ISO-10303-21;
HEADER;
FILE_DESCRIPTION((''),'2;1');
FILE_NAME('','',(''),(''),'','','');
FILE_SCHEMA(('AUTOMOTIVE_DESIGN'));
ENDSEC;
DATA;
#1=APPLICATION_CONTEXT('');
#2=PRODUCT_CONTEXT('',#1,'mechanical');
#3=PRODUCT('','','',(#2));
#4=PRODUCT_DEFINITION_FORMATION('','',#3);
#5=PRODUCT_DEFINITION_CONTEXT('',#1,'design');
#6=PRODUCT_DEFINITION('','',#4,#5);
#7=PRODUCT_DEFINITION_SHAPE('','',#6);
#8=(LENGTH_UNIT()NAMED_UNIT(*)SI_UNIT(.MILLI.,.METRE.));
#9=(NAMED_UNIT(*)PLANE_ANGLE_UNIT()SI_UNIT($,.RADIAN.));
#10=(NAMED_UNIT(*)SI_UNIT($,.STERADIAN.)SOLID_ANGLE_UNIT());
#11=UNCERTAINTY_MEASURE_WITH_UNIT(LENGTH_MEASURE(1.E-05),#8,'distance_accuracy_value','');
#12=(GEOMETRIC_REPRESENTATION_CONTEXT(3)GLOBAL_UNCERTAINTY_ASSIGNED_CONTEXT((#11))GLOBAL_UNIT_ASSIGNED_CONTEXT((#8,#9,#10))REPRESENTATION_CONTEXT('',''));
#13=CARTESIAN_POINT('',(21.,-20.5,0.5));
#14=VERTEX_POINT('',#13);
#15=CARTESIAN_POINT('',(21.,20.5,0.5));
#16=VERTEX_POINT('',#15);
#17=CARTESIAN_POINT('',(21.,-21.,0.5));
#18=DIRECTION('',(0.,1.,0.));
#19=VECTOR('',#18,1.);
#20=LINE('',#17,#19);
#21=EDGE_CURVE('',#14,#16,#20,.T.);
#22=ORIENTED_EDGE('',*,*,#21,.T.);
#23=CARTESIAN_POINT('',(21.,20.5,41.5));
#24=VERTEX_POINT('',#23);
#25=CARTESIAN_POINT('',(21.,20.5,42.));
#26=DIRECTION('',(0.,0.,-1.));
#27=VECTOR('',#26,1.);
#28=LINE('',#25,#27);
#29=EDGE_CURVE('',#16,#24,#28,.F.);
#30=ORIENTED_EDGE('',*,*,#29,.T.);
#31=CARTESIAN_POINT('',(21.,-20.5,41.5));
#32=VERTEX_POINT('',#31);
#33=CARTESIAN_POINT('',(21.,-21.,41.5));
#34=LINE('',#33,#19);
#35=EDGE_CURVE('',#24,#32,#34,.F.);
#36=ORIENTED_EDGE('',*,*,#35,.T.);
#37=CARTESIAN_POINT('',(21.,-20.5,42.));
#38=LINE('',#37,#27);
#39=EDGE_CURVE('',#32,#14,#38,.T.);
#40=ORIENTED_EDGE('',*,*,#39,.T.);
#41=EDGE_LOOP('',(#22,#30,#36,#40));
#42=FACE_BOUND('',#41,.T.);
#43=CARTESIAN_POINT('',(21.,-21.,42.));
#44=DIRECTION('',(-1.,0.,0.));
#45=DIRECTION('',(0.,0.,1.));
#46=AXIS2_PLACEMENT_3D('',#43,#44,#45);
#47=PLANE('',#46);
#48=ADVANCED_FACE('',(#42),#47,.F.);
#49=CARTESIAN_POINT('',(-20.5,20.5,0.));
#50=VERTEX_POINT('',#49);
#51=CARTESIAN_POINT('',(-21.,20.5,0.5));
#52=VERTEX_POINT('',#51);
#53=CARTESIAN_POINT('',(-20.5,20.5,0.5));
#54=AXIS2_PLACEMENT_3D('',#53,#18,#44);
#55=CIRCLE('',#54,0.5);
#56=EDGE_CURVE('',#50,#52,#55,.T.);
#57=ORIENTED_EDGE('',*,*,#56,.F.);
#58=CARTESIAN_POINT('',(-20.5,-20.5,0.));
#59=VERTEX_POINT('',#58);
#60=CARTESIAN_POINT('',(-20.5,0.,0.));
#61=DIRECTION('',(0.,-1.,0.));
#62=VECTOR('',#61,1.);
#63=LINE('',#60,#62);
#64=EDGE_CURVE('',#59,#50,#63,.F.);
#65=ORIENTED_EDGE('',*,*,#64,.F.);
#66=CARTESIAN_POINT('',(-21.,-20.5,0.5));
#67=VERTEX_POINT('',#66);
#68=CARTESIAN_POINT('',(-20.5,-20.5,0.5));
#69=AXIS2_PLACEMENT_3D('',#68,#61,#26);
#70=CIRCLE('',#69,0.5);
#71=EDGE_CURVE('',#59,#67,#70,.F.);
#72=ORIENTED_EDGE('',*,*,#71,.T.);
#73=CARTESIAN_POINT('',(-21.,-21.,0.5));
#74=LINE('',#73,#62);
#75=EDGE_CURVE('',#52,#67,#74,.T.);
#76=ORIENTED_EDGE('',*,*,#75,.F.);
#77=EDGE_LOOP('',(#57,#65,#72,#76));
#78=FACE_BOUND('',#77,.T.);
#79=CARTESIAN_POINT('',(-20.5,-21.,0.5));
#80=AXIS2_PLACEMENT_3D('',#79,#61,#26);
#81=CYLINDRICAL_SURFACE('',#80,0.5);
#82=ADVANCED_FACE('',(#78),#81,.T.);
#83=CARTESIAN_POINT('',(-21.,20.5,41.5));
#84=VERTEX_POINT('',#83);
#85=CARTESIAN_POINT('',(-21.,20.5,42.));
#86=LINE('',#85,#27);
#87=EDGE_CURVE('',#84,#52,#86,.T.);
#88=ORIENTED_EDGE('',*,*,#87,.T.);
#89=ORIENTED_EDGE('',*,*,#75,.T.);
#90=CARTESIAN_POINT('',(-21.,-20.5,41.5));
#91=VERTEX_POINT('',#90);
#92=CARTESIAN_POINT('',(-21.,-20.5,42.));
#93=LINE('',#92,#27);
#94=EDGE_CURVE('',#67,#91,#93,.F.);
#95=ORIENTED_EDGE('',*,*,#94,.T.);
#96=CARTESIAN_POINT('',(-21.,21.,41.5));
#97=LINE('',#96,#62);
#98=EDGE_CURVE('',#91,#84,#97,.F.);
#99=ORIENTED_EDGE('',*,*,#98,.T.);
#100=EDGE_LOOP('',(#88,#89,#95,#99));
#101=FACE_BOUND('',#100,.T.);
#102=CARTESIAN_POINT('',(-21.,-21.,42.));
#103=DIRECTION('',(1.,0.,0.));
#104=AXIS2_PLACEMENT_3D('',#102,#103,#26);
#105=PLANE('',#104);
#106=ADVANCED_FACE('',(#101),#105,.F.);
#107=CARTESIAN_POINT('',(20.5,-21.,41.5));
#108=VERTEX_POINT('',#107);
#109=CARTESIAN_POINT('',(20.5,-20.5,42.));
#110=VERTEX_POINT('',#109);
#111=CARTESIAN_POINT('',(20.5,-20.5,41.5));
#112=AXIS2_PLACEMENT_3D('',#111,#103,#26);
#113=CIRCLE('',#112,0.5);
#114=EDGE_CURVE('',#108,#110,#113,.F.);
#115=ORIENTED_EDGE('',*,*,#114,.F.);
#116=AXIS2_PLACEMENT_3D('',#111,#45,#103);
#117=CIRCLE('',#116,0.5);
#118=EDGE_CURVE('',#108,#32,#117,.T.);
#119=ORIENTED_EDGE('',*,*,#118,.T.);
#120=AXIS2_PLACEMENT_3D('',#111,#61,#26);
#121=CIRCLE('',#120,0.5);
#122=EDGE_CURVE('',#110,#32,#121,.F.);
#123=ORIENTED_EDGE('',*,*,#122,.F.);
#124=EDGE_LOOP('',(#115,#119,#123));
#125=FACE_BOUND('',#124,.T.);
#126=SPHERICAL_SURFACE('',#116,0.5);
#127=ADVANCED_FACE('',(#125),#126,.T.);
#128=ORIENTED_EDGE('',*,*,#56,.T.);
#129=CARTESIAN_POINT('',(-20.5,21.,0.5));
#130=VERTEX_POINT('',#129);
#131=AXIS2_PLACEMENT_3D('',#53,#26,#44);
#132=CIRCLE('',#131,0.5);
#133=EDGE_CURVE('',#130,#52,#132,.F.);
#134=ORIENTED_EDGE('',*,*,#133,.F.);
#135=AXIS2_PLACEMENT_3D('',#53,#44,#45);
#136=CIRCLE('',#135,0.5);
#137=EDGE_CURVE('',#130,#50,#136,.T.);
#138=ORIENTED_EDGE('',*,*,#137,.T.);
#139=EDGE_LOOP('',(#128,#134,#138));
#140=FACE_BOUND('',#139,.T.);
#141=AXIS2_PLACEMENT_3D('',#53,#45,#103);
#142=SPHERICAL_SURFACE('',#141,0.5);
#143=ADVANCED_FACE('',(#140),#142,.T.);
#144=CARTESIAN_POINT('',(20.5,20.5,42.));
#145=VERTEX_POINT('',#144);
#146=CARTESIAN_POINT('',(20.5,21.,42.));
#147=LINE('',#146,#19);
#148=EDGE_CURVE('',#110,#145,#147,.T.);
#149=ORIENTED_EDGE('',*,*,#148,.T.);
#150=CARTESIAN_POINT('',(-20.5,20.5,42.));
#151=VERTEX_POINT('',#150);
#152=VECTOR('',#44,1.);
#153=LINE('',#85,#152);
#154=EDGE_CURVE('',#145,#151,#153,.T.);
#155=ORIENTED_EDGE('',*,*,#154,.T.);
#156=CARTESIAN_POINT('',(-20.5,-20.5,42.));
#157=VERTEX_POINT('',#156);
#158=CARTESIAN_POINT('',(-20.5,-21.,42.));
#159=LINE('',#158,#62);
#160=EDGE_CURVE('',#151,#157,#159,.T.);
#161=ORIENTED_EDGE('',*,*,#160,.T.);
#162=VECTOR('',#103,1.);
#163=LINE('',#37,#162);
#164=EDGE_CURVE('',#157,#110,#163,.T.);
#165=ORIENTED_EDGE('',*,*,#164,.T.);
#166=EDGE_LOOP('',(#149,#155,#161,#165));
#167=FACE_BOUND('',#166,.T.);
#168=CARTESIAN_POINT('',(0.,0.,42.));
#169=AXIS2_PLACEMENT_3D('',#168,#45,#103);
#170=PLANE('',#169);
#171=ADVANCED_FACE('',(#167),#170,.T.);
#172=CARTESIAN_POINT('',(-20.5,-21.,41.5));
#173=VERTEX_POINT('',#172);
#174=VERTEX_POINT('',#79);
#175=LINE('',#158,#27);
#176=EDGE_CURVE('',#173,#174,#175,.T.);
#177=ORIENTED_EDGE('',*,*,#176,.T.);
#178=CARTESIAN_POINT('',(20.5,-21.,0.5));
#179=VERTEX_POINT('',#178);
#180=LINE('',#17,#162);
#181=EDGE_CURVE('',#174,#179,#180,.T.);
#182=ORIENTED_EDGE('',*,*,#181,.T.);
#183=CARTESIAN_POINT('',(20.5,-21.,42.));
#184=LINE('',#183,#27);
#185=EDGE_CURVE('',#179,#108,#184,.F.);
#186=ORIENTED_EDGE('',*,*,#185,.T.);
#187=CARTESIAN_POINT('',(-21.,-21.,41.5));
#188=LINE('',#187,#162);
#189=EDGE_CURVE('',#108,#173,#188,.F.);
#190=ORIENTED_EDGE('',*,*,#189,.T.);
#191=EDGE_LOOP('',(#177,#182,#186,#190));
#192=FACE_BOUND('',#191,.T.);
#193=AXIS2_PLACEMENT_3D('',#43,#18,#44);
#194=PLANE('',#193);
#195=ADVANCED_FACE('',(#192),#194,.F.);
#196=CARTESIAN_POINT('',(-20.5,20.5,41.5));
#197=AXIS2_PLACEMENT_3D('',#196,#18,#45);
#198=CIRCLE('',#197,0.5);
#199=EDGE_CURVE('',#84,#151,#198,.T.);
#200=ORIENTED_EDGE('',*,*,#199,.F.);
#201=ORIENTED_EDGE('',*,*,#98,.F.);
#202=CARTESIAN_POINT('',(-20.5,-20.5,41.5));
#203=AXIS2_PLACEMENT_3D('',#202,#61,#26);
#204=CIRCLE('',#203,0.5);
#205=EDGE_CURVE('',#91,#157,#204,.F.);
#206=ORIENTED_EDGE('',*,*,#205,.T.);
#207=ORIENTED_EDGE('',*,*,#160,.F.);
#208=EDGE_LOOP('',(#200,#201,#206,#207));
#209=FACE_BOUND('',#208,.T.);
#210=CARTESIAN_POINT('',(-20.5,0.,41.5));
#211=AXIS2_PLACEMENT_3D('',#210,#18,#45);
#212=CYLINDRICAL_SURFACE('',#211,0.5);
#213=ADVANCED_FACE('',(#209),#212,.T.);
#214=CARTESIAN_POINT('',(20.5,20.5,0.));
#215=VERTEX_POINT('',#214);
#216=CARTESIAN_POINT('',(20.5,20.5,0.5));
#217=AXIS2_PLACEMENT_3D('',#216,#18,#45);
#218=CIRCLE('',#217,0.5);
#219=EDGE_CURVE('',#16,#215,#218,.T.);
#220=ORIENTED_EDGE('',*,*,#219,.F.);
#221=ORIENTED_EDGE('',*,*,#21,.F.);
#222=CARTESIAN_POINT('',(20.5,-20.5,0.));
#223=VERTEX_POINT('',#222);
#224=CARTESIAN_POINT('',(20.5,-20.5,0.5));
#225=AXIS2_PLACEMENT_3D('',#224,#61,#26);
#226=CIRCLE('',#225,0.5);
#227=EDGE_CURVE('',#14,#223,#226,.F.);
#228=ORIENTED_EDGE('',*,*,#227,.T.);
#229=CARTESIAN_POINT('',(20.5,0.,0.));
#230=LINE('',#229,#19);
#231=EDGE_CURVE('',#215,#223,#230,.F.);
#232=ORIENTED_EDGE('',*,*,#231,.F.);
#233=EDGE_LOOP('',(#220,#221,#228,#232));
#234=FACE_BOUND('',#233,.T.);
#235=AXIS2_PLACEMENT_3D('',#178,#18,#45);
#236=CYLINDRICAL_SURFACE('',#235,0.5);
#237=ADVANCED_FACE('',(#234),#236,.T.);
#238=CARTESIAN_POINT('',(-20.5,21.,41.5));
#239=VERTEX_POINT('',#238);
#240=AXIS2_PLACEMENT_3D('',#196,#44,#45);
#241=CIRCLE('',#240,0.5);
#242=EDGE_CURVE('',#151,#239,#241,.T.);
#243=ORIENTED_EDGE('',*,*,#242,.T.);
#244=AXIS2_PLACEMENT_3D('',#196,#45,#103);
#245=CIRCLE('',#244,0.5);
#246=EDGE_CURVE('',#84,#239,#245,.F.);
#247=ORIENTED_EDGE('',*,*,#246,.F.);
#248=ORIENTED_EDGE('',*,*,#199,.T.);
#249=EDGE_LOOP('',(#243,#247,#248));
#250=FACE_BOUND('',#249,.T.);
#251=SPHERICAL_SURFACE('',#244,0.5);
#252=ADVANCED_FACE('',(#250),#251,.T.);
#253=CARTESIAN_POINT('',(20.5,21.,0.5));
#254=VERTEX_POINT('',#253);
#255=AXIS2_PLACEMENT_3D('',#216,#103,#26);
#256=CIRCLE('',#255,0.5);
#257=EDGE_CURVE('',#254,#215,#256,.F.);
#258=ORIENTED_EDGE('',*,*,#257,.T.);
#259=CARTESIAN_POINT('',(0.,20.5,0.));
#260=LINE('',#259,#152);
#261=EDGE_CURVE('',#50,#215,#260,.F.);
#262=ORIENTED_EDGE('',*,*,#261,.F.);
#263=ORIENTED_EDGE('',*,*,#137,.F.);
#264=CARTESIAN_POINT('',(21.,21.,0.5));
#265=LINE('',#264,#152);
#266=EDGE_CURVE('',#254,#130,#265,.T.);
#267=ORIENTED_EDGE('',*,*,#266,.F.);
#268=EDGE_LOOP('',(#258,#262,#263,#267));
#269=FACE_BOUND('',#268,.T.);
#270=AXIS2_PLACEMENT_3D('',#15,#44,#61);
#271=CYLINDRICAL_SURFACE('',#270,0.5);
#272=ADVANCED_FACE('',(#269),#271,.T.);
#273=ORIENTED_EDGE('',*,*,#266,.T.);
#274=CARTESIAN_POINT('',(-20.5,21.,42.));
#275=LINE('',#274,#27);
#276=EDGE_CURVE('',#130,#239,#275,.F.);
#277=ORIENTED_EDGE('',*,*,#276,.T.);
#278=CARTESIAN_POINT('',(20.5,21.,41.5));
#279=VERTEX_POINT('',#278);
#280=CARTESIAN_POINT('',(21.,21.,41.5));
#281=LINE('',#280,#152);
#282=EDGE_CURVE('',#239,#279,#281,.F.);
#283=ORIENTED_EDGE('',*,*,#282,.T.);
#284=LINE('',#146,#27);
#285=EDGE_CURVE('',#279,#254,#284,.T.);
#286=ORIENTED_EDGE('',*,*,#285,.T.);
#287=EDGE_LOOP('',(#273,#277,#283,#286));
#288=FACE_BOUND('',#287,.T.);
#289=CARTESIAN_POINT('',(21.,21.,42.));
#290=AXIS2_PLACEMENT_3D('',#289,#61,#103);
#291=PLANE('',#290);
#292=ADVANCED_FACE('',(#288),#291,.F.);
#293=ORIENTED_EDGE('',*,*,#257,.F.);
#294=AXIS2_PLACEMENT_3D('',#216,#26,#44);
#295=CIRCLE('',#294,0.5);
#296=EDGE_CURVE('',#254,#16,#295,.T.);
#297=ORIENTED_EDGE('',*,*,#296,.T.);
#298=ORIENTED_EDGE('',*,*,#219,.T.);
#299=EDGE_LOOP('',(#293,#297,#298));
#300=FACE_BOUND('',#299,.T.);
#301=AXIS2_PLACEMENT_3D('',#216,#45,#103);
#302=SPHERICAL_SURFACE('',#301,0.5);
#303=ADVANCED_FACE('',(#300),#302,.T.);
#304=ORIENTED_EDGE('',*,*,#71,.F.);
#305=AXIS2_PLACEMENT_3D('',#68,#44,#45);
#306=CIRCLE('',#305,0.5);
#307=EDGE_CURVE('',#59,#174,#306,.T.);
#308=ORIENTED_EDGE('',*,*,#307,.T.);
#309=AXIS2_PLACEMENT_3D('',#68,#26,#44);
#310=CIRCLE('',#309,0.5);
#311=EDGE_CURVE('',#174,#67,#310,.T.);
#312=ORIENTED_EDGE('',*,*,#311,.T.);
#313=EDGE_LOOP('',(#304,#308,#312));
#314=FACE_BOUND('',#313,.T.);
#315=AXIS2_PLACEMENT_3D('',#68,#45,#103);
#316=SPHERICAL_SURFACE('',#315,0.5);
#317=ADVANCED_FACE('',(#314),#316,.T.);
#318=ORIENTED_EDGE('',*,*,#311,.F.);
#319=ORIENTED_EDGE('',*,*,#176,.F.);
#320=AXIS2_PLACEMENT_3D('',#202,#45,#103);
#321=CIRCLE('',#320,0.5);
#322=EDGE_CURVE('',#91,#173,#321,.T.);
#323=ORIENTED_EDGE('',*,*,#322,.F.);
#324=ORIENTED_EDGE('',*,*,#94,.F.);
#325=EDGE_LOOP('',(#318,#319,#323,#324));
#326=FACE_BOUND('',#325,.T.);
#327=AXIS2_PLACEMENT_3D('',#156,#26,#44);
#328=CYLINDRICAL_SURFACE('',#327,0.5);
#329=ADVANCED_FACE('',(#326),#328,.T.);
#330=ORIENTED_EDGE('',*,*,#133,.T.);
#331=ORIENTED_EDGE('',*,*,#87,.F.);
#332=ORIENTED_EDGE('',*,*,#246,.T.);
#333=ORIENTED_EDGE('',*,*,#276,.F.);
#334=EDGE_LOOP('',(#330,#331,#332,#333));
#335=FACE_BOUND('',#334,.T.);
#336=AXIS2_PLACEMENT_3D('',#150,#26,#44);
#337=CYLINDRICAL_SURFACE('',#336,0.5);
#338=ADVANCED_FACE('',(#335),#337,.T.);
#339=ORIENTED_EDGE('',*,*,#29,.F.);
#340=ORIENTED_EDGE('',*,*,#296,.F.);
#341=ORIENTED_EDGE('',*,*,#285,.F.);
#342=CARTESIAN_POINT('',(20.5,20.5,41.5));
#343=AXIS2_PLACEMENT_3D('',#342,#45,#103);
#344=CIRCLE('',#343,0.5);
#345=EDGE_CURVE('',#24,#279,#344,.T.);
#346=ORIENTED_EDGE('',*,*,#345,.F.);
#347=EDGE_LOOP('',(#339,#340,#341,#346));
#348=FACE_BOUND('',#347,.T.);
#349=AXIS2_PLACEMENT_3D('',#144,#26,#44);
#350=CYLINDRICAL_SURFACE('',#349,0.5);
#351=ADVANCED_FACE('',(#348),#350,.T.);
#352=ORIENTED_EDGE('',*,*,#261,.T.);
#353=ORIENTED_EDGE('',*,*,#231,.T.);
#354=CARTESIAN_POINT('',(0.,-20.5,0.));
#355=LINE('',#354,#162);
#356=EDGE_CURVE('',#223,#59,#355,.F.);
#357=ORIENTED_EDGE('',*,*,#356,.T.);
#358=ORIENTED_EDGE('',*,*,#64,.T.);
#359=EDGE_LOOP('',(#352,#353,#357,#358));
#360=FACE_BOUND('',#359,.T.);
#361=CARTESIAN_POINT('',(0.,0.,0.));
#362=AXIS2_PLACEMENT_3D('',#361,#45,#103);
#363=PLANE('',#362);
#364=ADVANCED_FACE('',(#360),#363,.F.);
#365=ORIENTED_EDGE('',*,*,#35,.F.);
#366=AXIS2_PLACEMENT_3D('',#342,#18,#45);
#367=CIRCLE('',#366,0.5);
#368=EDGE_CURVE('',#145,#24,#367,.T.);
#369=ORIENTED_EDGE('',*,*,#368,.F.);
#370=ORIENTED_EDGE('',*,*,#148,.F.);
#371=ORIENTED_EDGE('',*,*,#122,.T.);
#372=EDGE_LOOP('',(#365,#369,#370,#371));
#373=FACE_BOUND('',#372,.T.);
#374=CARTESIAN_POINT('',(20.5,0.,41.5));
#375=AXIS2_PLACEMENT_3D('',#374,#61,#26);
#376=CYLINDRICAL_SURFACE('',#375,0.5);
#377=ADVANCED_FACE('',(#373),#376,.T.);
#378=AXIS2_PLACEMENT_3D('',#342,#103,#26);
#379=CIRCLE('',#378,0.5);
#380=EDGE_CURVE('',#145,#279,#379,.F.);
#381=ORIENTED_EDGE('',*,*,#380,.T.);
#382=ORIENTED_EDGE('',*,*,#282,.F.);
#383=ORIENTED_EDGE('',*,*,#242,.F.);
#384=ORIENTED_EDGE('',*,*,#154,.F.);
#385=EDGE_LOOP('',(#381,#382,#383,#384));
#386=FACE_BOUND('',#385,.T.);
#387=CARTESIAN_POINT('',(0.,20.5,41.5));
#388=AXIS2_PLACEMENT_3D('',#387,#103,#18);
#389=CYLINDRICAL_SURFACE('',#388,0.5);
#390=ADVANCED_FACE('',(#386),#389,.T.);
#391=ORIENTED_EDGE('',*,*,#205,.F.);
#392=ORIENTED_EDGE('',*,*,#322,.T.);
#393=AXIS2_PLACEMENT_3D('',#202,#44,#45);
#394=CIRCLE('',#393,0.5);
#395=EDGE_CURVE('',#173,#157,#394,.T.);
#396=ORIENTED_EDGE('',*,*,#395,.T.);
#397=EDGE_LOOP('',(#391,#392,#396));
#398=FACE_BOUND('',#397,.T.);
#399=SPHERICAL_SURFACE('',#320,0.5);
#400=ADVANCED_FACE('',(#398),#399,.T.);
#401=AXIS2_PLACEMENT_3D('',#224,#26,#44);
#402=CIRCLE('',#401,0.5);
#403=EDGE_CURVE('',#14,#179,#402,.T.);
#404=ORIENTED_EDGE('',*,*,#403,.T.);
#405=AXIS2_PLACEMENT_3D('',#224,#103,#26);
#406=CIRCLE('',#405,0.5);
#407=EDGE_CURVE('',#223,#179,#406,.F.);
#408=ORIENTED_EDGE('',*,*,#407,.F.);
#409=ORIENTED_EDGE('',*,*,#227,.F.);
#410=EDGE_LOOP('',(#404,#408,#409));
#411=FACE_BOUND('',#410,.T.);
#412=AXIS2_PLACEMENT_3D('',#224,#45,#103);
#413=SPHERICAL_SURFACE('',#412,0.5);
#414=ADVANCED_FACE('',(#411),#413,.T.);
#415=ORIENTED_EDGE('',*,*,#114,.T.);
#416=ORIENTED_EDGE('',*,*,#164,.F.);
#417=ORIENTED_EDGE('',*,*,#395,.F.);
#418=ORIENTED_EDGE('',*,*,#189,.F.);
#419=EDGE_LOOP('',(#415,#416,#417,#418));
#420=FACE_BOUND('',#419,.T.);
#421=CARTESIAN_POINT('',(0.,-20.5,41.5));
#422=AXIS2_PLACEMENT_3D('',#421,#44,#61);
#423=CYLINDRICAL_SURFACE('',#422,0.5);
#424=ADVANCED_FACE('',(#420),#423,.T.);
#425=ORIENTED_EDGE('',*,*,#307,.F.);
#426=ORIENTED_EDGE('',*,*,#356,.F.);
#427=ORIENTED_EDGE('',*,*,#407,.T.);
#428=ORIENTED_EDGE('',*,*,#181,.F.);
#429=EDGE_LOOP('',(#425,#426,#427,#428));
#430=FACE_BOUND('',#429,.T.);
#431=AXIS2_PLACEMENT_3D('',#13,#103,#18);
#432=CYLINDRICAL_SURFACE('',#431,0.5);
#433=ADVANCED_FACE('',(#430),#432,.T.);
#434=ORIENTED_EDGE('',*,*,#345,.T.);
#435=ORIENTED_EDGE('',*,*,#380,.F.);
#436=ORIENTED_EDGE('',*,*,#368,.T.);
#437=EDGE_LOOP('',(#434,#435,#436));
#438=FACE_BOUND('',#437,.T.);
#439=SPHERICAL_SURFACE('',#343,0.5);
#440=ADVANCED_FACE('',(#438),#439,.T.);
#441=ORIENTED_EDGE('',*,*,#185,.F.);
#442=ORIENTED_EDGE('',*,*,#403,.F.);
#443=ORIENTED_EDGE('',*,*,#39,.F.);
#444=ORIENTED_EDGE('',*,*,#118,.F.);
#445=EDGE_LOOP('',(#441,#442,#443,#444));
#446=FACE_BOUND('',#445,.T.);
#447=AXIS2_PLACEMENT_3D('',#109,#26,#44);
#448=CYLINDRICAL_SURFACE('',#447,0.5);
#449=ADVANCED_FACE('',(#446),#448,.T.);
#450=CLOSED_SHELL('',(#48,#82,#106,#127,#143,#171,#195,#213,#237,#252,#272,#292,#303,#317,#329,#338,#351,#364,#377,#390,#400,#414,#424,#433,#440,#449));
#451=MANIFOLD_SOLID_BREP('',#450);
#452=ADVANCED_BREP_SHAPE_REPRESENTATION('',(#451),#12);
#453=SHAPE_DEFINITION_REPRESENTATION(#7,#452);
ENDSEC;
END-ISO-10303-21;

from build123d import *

# Parameters (mm, degrees)
SKETCH_1_W      = 42
SKETCH_1_H      = 42
EXTRUDE_1_DEPTH = 42
FILLET_1_R      = 0.5


with BuildPart() as part:
    # 草图1 → 凸台-拉伸1 (new body)
    with BuildSketch(Plane.XY):
        Rectangle(SKETCH_1_W, SKETCH_1_H)
    extrude(amount=EXTRUDE_1_DEPTH)

    # 圆角1
    fillet_1_edges = [part.edges().sort_by_distance(p)[0] for p in [
        (21, 0, 42),
        (0, 21, 42),
        (-21, 0, 42),
        (0, 21, 0),
        (21, 0, 0),
        (0, -21, 0),
        (-21, 0, 0),
        (0, -21, 42),
        (-21, 21, 21),
        (21, 21, 21),
        (21, -21, 21),
        (-21, -21, 21),
    ]]
    fillet(fillet_1_edges, radius=FILLET_1_R)


solid = part.part
